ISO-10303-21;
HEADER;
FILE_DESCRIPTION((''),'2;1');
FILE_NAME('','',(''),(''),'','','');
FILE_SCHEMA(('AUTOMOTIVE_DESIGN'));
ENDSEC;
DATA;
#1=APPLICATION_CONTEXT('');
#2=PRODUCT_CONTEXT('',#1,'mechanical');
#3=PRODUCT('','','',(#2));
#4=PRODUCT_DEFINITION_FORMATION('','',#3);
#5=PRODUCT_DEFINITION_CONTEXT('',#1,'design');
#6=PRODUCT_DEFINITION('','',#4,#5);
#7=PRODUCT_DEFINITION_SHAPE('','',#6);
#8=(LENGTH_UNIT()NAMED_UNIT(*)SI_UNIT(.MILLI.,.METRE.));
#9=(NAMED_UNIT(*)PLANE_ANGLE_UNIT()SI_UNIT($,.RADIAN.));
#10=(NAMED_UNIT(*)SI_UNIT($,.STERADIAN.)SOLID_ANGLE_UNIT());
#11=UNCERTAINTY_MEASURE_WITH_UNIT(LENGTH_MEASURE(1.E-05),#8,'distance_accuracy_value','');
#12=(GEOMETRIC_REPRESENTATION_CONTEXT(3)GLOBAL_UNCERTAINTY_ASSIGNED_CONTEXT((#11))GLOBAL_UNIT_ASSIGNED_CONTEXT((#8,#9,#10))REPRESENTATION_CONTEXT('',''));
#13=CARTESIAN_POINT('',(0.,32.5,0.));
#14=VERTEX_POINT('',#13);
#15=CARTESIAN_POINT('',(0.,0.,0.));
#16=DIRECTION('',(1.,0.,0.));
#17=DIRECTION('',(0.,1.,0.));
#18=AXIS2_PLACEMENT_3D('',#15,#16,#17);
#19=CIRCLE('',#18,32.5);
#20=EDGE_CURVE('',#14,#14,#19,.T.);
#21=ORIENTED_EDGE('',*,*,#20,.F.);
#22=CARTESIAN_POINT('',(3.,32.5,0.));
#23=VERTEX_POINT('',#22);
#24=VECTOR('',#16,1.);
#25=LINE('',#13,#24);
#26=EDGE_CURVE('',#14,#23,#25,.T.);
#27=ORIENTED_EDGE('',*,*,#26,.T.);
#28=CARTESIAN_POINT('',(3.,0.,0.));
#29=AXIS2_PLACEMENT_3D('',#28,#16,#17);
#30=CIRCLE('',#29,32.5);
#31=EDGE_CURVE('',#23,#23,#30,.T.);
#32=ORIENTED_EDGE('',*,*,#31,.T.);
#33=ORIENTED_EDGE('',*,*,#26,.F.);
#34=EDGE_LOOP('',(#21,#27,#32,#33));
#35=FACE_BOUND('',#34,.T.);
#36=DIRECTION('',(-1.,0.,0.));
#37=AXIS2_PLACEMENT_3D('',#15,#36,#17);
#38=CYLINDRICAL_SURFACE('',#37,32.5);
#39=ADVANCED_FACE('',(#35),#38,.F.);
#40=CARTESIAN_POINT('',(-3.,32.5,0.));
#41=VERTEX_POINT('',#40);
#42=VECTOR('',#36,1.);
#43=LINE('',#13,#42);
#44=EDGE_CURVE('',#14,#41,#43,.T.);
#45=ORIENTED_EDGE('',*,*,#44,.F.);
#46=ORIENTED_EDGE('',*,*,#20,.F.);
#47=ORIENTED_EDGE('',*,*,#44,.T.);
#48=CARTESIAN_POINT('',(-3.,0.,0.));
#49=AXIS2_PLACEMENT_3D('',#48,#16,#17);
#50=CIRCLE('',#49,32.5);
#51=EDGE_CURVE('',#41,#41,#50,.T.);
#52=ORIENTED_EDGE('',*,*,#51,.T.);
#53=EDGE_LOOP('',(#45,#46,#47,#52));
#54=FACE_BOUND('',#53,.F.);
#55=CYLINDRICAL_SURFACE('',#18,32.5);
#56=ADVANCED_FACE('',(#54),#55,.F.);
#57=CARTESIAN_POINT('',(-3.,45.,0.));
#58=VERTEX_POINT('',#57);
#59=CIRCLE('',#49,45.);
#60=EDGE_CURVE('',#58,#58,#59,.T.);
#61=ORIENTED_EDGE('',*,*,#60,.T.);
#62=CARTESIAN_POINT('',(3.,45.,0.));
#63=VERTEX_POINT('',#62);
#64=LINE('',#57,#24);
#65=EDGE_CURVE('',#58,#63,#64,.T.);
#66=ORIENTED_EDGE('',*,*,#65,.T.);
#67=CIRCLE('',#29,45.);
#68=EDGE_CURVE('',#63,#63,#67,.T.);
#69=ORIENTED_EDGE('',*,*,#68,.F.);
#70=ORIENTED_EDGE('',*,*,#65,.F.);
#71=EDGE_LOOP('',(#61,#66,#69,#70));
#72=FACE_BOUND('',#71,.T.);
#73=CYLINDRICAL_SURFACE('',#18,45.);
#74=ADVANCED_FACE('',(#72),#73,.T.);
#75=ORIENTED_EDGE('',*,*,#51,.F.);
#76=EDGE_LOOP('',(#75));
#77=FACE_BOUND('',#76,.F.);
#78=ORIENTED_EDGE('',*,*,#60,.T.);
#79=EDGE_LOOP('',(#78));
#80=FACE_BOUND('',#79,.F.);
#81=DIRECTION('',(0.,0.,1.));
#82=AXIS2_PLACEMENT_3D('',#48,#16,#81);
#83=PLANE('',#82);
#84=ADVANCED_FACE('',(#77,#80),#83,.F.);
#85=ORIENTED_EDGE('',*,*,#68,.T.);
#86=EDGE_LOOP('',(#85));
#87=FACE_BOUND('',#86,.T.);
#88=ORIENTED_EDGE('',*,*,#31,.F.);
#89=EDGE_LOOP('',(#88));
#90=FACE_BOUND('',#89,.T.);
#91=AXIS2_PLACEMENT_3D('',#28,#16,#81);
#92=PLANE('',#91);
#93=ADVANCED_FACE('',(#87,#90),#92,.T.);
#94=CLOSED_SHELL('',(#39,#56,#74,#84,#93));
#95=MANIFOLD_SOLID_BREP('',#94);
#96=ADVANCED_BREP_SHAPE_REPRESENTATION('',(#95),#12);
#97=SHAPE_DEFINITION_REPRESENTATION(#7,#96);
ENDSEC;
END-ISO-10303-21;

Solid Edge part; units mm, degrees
sketch "Sketch1" plane through (0, 0, 0) normal (1, 0, 0) x (0, 1, 0)
  circle A0 centre (0, 0) radius 45
  circle A1 centre (0, 0) radius 32.5
extrude "ExtrudedProtrusion_1" add sketch "Sketch1" against normal blind 3 and the other way blind 3
properties part number "SKF_81113 TN_PART1"
